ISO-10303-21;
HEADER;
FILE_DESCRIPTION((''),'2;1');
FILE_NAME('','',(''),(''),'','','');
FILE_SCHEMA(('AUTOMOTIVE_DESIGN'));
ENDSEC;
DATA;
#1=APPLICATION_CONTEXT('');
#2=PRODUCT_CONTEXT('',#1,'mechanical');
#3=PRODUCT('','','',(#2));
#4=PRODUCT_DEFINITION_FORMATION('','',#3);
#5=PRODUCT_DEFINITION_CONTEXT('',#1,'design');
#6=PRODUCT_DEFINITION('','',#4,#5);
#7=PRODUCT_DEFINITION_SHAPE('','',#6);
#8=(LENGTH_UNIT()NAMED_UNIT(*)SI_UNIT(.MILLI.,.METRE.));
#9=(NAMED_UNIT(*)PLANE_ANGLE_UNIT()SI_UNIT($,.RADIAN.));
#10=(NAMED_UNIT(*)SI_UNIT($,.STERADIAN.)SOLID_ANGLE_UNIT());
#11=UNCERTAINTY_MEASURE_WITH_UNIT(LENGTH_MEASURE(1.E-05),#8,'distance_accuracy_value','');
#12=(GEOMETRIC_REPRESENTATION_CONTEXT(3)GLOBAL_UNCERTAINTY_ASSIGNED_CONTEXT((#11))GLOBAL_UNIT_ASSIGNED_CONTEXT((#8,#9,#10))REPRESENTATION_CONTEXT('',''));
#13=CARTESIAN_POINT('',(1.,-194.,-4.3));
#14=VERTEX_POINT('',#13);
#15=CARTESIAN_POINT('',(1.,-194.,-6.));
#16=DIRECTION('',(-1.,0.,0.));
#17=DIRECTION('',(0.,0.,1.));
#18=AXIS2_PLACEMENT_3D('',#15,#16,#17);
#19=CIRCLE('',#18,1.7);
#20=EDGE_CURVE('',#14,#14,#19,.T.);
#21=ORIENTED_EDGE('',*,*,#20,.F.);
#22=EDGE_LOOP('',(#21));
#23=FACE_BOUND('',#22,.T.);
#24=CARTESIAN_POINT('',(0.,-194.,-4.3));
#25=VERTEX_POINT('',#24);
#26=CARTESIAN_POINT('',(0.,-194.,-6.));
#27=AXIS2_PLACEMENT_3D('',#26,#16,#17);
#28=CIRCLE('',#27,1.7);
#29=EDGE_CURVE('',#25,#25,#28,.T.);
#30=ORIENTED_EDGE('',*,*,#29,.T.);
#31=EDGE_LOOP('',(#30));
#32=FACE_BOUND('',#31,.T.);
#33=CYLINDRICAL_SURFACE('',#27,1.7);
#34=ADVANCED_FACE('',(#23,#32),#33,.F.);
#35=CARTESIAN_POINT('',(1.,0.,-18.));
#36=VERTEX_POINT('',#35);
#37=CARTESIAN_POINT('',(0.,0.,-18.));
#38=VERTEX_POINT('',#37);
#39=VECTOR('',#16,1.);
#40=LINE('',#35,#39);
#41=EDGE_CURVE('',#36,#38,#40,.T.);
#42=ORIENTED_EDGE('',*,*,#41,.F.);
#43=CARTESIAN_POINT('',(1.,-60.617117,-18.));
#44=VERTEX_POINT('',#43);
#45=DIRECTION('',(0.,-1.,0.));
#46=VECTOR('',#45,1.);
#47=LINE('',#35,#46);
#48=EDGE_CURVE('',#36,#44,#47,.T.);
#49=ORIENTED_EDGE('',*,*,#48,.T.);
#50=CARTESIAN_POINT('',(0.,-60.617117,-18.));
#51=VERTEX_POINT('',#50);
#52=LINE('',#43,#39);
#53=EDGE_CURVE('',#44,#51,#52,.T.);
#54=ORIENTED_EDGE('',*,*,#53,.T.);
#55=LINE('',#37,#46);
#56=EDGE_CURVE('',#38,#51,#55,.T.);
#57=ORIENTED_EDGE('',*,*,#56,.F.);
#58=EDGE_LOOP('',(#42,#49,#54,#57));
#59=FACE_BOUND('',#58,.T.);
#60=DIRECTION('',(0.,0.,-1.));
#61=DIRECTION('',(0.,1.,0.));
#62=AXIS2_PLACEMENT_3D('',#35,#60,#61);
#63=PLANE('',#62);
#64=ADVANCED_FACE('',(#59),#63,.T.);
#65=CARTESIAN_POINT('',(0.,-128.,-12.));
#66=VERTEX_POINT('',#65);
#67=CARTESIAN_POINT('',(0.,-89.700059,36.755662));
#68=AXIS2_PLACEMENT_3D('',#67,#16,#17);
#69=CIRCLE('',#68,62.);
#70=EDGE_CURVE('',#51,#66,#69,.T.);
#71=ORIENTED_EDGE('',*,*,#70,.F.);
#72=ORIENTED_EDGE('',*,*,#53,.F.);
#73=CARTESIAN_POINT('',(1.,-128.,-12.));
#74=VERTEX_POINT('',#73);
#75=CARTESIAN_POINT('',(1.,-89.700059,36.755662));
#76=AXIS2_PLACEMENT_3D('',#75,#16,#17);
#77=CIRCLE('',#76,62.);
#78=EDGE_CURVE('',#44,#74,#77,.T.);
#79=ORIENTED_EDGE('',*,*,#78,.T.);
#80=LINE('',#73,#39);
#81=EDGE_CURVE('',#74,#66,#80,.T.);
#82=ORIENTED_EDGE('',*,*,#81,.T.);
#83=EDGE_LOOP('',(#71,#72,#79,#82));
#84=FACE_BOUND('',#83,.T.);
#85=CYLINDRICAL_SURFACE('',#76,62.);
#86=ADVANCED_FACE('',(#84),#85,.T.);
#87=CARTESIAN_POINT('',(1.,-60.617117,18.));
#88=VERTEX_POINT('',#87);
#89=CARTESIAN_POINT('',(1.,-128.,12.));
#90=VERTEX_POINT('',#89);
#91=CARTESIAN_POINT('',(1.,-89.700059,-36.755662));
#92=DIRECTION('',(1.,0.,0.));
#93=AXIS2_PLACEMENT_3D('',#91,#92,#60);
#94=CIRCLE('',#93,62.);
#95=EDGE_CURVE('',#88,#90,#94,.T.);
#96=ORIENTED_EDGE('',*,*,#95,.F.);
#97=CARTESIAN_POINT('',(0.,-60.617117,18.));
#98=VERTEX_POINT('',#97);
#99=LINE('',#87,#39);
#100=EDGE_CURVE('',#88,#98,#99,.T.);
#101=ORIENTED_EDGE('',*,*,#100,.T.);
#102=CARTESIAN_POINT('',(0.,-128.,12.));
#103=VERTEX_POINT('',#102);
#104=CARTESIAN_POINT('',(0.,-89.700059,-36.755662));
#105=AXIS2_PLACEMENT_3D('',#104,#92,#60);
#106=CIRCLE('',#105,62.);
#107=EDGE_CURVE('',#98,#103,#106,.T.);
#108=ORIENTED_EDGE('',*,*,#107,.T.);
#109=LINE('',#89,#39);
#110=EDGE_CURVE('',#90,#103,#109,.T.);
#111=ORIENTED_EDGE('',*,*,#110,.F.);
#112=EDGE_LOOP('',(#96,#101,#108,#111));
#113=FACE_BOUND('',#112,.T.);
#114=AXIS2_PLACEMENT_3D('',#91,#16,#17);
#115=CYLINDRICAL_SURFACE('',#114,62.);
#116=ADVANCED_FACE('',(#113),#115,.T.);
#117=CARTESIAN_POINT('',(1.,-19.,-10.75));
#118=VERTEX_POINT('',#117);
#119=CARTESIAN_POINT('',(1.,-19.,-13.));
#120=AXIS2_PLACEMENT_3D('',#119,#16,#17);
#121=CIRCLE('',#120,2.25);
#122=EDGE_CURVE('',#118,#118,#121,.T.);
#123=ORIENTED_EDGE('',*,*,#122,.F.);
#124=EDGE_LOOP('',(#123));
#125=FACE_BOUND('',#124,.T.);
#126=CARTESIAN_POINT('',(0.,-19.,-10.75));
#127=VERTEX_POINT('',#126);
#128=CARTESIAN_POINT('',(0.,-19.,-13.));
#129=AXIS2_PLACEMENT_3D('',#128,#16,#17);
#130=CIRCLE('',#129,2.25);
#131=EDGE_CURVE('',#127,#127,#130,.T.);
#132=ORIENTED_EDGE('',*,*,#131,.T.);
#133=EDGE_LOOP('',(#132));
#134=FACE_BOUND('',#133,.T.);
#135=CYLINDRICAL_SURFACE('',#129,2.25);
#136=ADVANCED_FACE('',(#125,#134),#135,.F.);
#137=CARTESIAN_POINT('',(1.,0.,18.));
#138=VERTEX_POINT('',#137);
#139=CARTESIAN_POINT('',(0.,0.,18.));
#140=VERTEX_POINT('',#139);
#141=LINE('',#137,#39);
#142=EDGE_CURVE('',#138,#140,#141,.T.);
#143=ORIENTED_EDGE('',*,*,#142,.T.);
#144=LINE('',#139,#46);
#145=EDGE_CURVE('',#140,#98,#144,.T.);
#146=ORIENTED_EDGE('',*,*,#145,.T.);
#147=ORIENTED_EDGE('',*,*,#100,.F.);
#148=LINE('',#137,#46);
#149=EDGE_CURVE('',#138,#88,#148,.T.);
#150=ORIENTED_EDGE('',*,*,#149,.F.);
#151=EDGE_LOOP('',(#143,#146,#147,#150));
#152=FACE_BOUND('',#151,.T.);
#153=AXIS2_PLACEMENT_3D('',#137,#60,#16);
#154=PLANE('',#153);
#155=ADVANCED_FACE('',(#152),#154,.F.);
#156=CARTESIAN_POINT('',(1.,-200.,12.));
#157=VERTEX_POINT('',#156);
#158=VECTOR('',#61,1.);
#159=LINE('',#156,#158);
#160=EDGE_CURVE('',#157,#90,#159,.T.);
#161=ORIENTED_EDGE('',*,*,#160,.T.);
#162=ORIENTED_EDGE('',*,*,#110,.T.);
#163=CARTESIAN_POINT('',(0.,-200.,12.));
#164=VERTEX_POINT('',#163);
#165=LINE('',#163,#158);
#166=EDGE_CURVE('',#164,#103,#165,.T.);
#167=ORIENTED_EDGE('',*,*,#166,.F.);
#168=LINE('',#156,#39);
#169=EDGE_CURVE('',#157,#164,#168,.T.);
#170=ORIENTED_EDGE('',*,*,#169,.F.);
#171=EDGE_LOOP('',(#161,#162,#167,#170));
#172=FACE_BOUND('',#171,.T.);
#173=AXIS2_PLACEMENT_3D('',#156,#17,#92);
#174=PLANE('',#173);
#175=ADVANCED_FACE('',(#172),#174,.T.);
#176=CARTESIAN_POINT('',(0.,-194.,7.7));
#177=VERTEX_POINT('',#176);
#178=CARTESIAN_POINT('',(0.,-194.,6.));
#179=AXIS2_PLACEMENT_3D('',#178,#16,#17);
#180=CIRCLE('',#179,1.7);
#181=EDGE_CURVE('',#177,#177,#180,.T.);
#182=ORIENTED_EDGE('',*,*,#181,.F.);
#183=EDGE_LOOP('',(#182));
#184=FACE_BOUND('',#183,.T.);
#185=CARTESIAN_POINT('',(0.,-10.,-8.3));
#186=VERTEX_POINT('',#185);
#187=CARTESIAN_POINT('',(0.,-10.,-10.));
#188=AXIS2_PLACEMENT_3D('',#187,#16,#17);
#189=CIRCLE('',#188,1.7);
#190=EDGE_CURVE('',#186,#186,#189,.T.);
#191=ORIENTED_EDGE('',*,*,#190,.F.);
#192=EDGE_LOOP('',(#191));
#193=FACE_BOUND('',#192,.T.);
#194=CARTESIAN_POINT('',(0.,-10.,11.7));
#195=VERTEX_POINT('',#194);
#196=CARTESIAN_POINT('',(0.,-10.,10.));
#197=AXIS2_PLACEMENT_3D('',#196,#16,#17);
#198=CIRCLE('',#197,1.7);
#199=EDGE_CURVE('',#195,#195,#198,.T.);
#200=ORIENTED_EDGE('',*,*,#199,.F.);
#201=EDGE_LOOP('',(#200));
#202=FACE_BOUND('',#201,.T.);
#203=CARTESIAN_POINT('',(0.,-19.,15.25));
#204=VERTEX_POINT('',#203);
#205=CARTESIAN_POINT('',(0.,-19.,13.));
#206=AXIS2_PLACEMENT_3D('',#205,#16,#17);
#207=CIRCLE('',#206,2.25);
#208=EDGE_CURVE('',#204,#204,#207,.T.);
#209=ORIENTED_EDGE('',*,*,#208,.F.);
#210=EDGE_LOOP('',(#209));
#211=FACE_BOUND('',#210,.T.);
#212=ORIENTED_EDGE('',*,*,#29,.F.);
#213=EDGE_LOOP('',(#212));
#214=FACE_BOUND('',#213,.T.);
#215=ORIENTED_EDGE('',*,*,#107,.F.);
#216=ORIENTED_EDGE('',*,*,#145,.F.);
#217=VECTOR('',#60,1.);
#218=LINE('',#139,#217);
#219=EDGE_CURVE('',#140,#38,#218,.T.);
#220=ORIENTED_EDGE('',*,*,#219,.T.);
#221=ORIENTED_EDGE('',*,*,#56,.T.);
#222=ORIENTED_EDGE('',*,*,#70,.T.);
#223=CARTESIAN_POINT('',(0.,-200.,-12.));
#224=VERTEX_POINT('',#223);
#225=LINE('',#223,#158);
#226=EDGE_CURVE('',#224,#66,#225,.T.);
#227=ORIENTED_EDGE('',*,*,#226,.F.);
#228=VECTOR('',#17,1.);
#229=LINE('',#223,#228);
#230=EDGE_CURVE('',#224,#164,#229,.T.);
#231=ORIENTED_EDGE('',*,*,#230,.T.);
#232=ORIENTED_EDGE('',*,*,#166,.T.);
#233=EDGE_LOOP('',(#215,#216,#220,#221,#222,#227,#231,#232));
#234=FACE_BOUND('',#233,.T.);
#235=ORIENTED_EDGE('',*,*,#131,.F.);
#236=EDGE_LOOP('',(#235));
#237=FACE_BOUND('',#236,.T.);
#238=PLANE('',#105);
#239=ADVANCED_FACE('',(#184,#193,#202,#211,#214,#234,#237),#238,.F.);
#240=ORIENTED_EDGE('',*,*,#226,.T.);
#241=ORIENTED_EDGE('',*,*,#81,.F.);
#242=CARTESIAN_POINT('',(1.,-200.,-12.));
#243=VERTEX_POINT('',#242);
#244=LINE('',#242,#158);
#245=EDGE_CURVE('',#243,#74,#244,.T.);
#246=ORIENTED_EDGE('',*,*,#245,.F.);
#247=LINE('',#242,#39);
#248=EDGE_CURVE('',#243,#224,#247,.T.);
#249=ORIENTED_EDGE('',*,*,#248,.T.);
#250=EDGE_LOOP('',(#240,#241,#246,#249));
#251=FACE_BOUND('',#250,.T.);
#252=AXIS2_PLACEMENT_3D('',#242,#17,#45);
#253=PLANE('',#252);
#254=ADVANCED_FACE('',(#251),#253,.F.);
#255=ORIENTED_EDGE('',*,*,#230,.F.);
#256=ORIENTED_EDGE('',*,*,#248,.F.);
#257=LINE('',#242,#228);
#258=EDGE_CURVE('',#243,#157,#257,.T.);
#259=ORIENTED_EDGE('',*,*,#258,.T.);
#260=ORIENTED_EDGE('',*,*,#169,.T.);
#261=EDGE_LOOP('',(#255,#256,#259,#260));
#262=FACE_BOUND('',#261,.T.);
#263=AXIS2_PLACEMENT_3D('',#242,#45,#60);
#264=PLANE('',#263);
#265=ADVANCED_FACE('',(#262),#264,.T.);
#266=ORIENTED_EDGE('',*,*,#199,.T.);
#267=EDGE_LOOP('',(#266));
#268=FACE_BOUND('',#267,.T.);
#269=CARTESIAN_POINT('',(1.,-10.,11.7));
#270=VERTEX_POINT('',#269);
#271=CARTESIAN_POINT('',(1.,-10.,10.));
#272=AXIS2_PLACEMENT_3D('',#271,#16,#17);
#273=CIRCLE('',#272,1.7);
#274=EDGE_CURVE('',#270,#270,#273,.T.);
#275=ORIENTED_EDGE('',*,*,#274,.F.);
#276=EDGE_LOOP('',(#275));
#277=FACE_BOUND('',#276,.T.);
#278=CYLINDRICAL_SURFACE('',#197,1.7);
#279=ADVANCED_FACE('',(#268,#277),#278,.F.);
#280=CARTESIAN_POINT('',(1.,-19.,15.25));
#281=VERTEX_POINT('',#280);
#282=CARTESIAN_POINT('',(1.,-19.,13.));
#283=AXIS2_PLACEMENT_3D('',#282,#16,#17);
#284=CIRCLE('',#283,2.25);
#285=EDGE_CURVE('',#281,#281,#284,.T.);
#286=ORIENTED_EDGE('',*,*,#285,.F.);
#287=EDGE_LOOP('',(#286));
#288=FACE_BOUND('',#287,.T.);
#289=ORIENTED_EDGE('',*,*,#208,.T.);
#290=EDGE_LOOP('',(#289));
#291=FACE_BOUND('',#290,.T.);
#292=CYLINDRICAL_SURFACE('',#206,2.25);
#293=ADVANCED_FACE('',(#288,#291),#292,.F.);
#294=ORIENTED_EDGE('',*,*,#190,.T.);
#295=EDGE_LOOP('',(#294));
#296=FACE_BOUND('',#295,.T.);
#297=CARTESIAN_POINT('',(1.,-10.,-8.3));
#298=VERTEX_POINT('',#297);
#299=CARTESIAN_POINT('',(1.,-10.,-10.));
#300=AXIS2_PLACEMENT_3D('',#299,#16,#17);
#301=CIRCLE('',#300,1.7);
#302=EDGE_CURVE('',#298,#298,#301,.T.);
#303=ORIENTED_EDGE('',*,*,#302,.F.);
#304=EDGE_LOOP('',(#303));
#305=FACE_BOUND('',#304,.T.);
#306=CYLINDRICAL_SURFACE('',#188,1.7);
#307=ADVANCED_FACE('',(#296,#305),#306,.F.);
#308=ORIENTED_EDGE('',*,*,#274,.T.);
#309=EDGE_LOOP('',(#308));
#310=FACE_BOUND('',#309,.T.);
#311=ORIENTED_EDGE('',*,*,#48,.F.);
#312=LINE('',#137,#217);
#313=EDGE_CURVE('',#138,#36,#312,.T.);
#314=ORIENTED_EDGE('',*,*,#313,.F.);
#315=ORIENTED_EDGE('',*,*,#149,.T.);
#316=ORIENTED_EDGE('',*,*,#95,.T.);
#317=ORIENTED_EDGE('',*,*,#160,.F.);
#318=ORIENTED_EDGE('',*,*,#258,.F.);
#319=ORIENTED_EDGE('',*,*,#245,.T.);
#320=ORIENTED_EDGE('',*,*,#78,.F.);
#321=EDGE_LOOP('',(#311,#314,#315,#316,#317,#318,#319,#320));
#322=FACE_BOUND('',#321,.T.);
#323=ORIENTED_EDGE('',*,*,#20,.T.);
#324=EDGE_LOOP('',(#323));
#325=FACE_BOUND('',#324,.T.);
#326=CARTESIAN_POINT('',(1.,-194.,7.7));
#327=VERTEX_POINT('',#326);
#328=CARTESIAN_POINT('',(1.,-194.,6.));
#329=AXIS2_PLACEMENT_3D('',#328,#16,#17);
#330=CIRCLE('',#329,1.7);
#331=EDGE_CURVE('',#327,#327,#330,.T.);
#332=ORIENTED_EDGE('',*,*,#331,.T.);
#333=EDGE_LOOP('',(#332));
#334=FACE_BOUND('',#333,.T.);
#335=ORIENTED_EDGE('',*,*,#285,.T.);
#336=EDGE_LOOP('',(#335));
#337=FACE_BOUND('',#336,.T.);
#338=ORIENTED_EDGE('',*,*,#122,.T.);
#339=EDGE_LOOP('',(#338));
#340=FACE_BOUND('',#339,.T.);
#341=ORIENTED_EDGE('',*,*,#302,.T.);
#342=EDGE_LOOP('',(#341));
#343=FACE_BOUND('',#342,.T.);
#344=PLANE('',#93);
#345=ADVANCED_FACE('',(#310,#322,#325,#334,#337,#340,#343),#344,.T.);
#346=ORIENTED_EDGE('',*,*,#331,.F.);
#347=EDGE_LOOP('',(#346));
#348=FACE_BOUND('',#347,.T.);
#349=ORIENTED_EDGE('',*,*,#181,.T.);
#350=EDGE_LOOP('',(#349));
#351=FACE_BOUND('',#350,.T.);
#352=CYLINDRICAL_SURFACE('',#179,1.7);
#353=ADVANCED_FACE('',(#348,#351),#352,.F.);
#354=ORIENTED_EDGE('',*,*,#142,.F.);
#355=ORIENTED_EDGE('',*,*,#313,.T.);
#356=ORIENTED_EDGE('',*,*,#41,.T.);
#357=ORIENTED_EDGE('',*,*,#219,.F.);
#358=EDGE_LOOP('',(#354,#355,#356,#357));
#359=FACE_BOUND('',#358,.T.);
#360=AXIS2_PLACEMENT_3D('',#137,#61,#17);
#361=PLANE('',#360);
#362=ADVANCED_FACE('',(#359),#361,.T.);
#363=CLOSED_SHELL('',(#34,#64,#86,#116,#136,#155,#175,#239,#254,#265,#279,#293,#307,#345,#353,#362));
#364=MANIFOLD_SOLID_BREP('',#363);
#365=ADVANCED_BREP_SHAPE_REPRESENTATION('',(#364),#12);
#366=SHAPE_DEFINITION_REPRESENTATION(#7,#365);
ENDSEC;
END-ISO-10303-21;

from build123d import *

# Parameters (mm, degrees)
BOSS_EXTRUDE1_DEPTH  = 1
M4_CLEARANCE_HOLE1_D = 4.5
M3_CLEARANCE_HOLE1_D = 3.4
M3_CLEARANCE_HOLE2_D = 3.4


with BuildPart() as part:
    # Sketch1 → Boss-Extrude1 (new body)
    with BuildSketch(Plane(origin=(0, 0, 0), x_dir=(0, 0, -1), z_dir=(1, 0, 0))):
        with BuildLine():
            Line((12, -200), (12, -128))
            ThreePointArc((12, -128), (25, -95.198992339), (18, -60.617116977))
            Line((18, -60.617116977), (18, 0))
            Line((18, 0), (-18, 0))
            Line((-18, 0), (-18, -60.617116977))
            ThreePointArc((-18, -60.617116977), (-25, -95.198992339), (-12, -128))
            Line((-12, -128), (-12, -200))
            Line((-12, -200), (12, -200))
        make_face()
    extrude(amount=BOSS_EXTRUDE1_DEPTH)

    # M4 Clearance Hole1 (through all)
    with Locations(Plane.ZY):
        with Locations((13, -19), (-13, -19)):
            Hole(M4_CLEARANCE_HOLE1_D / 2)

    # M3 Clearance Hole1 (through all)
    with Locations(Plane.ZY):
        with Locations((-10, -10), (10, -10)):
            Hole(M3_CLEARANCE_HOLE1_D / 2)

    # M3 Clearance Hole2 (through all)
    with Locations(Plane.ZY):
        with Locations((6, -194), (-6, -194)):
            Hole(M3_CLEARANCE_HOLE2_D / 2)


solid = part.part
